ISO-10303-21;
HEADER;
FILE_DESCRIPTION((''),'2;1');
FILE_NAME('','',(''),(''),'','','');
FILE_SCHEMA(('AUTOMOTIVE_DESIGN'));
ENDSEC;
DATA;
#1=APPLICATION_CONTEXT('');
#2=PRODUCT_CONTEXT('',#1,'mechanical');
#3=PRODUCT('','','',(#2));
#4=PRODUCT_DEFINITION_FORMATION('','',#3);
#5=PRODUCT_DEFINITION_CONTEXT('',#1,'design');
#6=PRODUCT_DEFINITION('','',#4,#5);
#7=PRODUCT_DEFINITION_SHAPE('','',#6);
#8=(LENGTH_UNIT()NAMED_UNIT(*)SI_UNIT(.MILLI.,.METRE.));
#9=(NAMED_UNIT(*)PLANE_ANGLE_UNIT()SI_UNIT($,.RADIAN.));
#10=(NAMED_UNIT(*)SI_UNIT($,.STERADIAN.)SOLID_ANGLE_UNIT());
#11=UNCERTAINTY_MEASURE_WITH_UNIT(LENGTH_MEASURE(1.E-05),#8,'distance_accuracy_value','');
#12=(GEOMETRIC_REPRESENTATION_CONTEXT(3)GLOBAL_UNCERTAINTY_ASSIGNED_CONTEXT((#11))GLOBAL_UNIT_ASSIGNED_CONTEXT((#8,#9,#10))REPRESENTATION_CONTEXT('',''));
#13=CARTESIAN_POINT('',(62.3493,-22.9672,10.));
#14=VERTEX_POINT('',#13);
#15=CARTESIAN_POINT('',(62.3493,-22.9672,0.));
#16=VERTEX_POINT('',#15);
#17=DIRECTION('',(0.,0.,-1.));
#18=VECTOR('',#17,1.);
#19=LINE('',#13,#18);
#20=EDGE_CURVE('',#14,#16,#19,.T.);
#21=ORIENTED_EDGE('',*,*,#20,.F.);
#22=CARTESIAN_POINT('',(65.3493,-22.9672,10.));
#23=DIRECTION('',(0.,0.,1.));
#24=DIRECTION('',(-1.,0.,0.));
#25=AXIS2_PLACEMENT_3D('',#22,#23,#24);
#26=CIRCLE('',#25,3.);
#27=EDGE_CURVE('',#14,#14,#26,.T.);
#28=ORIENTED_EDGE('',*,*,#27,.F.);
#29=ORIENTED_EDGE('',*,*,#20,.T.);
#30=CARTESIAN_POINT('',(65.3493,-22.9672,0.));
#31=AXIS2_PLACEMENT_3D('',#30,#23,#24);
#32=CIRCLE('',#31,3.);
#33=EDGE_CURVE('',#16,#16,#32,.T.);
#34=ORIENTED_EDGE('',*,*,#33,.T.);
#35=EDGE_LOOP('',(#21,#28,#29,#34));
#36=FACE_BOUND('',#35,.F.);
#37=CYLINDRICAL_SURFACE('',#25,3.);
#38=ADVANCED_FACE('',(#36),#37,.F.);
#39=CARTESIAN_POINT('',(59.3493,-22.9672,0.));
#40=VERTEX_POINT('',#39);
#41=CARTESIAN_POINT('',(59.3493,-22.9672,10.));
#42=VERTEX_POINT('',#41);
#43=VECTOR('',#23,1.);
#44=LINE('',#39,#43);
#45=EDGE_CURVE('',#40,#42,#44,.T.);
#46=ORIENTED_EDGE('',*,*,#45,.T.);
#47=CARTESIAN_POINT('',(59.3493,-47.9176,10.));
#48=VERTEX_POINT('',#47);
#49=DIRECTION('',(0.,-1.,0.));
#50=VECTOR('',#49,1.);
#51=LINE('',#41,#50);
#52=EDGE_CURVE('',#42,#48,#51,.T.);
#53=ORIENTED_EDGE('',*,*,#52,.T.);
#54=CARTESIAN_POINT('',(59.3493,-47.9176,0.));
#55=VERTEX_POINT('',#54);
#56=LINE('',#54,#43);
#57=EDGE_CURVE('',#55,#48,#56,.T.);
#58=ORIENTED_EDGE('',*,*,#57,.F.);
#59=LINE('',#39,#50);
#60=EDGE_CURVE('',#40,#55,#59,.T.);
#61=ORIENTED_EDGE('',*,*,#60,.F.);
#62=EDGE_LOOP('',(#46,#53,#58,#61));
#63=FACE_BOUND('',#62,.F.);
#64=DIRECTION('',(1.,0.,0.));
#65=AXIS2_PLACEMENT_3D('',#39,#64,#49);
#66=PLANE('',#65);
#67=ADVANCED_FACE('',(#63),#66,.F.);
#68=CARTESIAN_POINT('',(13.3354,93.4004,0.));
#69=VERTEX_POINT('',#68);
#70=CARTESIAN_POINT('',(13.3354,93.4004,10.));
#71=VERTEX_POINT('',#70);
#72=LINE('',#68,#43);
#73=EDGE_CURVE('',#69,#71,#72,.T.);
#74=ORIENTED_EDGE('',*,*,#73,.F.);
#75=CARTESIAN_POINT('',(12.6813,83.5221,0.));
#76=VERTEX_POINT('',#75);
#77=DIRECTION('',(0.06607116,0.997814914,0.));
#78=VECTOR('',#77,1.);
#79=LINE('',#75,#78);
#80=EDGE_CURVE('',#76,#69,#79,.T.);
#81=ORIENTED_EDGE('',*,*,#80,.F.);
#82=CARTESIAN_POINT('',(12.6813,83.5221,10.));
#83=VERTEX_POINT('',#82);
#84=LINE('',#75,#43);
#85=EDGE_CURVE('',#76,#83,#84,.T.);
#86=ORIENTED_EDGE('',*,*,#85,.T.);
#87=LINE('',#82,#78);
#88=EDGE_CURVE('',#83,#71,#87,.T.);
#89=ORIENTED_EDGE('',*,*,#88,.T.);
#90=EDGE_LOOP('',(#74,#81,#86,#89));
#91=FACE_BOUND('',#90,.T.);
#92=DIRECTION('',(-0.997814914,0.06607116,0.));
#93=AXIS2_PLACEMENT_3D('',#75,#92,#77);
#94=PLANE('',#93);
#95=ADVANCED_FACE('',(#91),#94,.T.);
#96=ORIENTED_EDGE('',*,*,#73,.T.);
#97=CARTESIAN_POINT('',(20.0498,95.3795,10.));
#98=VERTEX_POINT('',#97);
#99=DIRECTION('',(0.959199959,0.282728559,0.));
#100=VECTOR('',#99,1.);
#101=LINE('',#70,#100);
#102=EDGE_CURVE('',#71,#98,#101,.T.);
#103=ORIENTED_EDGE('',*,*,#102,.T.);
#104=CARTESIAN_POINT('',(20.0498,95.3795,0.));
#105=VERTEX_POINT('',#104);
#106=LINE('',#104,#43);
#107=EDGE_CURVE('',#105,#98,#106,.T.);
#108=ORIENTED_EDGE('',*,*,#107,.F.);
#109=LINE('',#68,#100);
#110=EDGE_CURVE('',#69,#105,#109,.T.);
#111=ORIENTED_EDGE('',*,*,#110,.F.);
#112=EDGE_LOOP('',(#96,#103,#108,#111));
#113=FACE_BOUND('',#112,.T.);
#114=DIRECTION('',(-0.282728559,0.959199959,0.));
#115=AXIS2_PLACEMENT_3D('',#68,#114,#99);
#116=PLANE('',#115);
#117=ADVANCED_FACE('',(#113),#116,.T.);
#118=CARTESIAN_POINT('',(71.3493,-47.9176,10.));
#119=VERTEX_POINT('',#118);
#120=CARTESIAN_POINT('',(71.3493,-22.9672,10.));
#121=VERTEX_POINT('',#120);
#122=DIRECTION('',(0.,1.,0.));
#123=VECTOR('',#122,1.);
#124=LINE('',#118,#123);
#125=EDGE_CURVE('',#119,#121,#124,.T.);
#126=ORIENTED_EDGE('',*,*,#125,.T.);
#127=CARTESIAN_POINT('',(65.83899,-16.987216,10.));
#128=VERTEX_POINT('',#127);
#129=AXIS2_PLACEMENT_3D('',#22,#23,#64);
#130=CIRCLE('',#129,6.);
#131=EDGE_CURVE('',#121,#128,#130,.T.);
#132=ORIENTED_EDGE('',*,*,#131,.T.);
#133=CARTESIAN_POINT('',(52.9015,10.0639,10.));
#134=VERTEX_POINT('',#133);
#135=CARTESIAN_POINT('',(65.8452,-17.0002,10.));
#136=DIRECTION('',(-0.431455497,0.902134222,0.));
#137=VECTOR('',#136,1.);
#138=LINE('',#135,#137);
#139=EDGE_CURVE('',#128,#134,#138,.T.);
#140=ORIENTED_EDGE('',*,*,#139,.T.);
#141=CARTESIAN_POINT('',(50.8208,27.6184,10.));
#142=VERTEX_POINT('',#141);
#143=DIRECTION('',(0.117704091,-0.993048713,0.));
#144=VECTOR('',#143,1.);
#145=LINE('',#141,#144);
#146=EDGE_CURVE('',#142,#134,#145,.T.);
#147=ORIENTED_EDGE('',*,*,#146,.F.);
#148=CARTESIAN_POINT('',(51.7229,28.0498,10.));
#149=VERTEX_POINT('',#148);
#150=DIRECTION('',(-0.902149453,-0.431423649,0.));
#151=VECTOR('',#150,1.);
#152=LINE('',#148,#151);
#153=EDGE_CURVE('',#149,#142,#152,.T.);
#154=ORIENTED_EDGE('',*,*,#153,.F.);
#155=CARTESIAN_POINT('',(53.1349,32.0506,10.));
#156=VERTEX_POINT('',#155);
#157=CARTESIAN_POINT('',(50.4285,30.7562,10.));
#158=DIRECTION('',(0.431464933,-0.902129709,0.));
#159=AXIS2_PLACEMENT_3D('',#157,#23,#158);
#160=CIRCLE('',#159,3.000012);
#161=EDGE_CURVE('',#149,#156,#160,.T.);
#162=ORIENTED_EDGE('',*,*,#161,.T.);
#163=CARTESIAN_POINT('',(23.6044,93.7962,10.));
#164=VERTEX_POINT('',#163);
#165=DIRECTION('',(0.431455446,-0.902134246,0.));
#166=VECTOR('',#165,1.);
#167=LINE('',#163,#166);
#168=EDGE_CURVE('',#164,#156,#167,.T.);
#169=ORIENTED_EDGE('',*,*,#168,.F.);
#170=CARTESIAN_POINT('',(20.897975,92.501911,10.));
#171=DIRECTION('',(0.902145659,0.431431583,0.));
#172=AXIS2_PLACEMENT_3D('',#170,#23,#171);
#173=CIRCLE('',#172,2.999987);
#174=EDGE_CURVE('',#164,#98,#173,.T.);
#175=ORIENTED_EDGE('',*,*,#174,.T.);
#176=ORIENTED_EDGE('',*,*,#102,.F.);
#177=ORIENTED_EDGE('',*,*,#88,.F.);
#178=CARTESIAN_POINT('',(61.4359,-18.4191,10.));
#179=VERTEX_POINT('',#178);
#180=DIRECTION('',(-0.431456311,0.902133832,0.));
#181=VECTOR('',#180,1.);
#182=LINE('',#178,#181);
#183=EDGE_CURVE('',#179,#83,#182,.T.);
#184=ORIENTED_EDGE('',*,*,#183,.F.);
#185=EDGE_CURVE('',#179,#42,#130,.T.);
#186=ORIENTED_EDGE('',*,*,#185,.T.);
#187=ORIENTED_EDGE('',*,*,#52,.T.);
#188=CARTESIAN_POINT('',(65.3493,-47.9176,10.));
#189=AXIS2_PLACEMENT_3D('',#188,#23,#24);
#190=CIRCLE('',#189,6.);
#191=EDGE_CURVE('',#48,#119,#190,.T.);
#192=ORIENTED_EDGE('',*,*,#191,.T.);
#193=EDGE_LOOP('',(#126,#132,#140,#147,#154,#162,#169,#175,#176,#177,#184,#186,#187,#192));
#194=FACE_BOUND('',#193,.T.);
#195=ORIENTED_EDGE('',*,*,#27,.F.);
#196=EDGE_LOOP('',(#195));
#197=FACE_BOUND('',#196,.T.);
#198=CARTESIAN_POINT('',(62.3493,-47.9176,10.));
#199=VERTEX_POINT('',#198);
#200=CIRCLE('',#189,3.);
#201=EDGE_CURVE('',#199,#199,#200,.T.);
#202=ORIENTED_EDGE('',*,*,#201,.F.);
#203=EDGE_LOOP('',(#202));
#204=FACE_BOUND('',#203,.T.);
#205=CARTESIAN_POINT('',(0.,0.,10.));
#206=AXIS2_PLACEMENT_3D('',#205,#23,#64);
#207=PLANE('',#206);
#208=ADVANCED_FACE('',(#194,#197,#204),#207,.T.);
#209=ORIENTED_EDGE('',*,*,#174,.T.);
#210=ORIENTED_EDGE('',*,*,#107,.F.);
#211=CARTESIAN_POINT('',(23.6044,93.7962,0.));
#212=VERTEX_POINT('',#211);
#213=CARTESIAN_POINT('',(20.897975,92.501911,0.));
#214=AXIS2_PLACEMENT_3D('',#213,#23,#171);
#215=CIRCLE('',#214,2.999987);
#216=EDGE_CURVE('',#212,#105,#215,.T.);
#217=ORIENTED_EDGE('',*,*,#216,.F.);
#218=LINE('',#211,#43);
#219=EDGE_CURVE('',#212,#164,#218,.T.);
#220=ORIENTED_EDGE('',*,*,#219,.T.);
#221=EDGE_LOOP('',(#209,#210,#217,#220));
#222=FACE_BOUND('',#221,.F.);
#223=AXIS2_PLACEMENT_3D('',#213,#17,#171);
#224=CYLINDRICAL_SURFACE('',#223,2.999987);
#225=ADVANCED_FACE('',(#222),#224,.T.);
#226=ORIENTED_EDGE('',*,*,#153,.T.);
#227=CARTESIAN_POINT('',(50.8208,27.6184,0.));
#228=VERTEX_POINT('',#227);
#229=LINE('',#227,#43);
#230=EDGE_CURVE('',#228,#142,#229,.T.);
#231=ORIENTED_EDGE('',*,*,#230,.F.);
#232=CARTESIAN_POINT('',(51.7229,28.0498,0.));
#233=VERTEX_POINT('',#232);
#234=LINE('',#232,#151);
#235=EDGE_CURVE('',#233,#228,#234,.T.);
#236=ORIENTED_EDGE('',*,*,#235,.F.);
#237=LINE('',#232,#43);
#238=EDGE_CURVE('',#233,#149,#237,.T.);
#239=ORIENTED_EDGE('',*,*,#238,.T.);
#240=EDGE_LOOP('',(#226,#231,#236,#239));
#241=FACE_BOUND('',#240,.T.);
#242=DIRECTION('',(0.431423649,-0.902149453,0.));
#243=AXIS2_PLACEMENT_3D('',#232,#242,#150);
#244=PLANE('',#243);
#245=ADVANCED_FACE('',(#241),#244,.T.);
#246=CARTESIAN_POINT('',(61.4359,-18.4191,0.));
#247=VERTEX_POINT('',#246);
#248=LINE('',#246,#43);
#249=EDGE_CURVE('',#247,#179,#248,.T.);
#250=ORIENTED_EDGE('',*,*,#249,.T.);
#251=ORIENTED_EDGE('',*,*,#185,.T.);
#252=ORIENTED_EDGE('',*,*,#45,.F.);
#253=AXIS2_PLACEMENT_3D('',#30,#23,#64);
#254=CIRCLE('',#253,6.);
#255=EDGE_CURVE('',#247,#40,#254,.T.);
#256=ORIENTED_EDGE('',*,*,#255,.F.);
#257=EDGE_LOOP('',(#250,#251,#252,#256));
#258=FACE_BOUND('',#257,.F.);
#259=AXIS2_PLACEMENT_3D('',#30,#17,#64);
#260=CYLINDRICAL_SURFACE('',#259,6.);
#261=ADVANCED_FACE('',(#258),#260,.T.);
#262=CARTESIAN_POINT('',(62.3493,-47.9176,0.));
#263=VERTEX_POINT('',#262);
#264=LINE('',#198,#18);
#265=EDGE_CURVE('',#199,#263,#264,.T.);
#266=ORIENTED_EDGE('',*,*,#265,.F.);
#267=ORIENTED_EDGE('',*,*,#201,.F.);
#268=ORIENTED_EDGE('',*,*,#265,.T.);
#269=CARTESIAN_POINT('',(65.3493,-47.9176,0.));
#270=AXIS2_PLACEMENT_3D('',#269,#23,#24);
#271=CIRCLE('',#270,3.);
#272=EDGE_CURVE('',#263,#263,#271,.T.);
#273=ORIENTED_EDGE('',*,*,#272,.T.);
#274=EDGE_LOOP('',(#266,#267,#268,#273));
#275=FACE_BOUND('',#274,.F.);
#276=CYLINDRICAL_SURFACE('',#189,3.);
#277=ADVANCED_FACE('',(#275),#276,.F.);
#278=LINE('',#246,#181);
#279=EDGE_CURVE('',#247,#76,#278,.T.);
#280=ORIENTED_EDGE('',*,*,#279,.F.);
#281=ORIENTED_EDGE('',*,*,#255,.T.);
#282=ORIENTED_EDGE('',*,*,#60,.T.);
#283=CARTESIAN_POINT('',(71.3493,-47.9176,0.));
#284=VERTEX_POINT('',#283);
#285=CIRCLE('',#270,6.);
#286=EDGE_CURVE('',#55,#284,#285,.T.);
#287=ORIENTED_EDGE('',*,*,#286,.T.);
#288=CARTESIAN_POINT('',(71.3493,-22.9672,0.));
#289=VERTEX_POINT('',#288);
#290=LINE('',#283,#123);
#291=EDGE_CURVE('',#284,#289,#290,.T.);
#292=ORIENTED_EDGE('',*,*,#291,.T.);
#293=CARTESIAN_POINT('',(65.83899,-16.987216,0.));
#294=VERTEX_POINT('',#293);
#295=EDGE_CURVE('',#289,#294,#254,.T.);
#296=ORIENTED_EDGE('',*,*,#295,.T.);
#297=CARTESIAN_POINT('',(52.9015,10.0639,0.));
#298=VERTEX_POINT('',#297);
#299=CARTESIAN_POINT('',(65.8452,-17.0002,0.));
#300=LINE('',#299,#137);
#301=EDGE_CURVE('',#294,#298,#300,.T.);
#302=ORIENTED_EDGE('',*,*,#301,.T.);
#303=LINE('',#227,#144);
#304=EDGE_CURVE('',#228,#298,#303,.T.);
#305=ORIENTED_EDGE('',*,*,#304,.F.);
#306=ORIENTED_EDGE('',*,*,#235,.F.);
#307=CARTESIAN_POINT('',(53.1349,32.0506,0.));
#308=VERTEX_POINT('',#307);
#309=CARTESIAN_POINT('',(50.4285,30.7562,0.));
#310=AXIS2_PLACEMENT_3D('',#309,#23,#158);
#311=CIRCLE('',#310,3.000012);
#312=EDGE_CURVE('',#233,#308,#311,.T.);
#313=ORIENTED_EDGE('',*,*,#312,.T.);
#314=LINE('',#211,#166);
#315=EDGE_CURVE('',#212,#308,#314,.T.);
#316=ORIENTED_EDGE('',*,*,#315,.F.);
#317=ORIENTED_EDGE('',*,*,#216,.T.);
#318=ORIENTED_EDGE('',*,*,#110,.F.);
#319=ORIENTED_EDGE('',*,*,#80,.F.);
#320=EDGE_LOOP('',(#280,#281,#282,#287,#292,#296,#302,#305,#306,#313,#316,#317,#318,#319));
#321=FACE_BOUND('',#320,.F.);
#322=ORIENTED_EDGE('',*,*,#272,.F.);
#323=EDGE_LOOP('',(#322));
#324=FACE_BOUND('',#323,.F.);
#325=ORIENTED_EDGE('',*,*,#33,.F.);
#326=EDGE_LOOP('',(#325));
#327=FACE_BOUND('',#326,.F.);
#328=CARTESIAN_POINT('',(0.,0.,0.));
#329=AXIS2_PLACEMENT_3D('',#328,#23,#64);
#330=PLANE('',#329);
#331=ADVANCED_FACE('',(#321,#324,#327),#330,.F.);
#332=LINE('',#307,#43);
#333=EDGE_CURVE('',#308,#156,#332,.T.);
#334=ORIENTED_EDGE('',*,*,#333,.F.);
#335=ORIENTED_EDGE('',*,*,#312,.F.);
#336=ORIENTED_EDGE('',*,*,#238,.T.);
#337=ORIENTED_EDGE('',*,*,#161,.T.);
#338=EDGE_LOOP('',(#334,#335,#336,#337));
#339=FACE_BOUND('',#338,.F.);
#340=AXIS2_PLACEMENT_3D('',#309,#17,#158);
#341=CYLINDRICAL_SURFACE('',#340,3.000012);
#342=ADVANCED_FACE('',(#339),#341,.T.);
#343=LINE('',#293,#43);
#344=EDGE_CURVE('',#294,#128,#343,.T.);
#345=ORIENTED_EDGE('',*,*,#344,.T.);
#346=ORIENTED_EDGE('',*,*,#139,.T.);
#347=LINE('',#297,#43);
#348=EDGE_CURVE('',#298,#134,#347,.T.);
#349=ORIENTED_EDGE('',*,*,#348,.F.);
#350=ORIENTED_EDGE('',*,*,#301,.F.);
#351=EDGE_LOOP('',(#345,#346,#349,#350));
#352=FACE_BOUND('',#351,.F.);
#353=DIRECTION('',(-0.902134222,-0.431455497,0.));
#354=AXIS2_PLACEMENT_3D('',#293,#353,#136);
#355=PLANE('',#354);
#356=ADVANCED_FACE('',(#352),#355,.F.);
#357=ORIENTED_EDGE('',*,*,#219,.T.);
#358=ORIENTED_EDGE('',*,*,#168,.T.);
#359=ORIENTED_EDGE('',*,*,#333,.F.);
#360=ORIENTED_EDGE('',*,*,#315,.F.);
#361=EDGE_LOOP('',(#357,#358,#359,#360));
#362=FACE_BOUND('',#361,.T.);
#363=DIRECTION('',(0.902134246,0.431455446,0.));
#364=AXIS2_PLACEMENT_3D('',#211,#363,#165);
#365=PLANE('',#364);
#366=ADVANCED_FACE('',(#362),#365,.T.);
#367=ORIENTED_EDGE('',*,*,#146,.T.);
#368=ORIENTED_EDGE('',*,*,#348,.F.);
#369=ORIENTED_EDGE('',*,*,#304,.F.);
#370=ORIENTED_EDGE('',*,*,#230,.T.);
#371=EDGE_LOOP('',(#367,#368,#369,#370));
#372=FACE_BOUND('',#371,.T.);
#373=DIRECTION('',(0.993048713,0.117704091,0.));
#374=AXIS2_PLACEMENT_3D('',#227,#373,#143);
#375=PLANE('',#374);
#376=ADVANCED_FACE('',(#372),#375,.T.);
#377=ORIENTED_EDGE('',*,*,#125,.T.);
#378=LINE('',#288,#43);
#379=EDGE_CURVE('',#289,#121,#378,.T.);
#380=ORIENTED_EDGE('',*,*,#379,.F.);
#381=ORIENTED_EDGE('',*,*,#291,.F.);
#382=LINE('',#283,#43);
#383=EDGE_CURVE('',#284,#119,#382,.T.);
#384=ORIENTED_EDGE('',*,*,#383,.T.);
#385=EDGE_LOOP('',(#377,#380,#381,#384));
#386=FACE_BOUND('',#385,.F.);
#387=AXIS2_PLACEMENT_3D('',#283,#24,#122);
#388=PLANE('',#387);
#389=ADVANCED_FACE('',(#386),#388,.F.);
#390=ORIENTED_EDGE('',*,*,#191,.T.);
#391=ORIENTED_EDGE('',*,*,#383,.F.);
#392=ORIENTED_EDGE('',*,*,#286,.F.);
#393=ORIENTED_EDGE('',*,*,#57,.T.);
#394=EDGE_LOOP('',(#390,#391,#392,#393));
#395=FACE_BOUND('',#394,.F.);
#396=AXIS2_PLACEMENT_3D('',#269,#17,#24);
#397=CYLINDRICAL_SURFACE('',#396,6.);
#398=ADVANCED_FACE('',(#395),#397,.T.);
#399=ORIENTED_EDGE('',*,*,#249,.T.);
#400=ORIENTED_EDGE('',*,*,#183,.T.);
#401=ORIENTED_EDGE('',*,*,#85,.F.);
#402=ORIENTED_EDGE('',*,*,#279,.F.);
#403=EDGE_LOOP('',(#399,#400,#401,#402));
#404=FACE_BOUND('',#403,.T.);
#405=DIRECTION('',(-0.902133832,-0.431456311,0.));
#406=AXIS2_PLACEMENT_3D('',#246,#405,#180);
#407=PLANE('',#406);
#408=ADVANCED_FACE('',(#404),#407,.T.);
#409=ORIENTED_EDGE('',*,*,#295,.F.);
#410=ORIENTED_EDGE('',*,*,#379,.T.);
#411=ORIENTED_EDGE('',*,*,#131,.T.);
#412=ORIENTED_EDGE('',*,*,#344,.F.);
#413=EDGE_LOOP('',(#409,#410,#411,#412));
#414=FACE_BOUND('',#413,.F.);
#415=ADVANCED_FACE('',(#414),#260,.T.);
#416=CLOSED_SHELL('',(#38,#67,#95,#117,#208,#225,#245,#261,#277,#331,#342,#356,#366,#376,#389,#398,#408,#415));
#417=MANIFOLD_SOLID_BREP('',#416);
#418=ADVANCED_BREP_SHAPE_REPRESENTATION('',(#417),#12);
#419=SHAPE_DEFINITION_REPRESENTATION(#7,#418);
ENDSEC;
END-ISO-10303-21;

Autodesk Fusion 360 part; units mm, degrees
sketch "Sketch1" plane through (0, 0, 0) normal (0, 0, 1) x (1, 0, 0)
  line L0 (59.3493, -22.9672) -> (59.3493, -47.9176)
  arc A0 (59.3493, -47.9176) -> (71.3493, -47.9176) centre (65.3493, -47.9176) ccw
  line L1 (71.3493, -47.9176) -> (71.3493, -22.9672)
  arc A1 (71.3493, -22.9672) -> (59.3493, -22.9672) centre (65.3493, -22.9672) ccw
  line L2 (65.3493, -22.9672) -> (65.3493, -47.9176) construction
  line L3 (61.4359, -18.4191) -> (12.6813, 83.5221)
  line L4 (12.6813, 83.5221) -> (13.3354, 93.4004)
  line L5 (13.3354, 93.4004) -> (20.0498, 95.3795)
  line L6 (23.6044, 93.7962) -> (53.1349, 32.0506)
  arc A2 (23.6044, 93.7962) -> (20.0498, 95.3795) centre (20.898, 92.5019) ccw
  line L7 (65.8452, -17.0002) -> (52.9015, 10.0639)
  line L8 (51.7229, 28.0498) -> (50.8208, 27.6184)
  line L9 (50.8208, 27.6184) -> (52.9015, 10.0639)
  arc A3 (51.7229, 28.0498) -> (53.1349, 32.0506) centre (50.4285, 30.7562) ccw
  point P0 (22.5016, 96.1021)
  point P1 (54.4293, 29.3442)
  dimension "d1" = 12
  dimension "d2" = 113
  dimension "d3" = 154.44
  dimension "d4" = 74
  dimension "d5" = 9.9
  dimension "d7" = 3
  dimension "d8" = 7
  dimension "d9" = 30
  dimension "d10" = 4.59
  dimension "d11" = 3
  dimension "d12" = 1
extrude "Extrude1" add sketch "Sketch1" along normal blind 10
sketch "Sketch2" plane through (0, 0, 10) normal (0, 0, 1) x (-1, 0, 0)
  line L0 (-50.8208, -27.6184) -> (-51.7229, -28.0498)
  arc A0 (-51.7229, -28.0498) -> (-53.1349, -32.0506) centre (-50.4285, -30.7562) ccw
  line L1 (-53.1349, -32.0506) -> (-23.6044, -93.7962)
  arc A1 (-23.6044, -93.7962) -> (-20.0498, -95.3795) centre (-20.898, -92.5019) ccw
  line L2 (-20.0498, -95.3795) -> (-13.3354, -93.4004)
  line L3 (-13.3354, -93.4004) -> (-12.6813, -83.5221)
  line L4 (-12.6813, -83.5221) -> (-61.4359, 18.4191)
  arc A2 (-61.4359, 18.4191) -> (-59.3493, 22.9672) centre (-65.3493, 22.9672) ccw
  line L5 (-59.3493, 22.9672) -> (-59.3493, 47.9176)
  arc A3 (-59.3493, 47.9176) -> (-71.3493, 47.9176) centre (-65.3493, 47.9176) ccw
  line L6 (-71.3493, 47.9176) -> (-71.3493, 22.9672)
  arc A4 (-71.3493, 22.9672) -> (-65.839, 16.9872) centre (-65.3493, 22.9672) ccw
  line L7 (-65.839, 16.9872) -> (-52.9015, -10.0639)
  line L8 (-52.9015, -10.0639) -> (-50.8208, -27.6184)
  circle A5 centre (-65.3493, 22.9672) radius 3
  circle A6 centre (-65.3493, 47.9176) radius 3
  dimension "d15" = 6
  dimension "d16" = 6
extrude "Extrude2" cut sketch "Sketch2" against normal blind 30 contours A5 | A6
